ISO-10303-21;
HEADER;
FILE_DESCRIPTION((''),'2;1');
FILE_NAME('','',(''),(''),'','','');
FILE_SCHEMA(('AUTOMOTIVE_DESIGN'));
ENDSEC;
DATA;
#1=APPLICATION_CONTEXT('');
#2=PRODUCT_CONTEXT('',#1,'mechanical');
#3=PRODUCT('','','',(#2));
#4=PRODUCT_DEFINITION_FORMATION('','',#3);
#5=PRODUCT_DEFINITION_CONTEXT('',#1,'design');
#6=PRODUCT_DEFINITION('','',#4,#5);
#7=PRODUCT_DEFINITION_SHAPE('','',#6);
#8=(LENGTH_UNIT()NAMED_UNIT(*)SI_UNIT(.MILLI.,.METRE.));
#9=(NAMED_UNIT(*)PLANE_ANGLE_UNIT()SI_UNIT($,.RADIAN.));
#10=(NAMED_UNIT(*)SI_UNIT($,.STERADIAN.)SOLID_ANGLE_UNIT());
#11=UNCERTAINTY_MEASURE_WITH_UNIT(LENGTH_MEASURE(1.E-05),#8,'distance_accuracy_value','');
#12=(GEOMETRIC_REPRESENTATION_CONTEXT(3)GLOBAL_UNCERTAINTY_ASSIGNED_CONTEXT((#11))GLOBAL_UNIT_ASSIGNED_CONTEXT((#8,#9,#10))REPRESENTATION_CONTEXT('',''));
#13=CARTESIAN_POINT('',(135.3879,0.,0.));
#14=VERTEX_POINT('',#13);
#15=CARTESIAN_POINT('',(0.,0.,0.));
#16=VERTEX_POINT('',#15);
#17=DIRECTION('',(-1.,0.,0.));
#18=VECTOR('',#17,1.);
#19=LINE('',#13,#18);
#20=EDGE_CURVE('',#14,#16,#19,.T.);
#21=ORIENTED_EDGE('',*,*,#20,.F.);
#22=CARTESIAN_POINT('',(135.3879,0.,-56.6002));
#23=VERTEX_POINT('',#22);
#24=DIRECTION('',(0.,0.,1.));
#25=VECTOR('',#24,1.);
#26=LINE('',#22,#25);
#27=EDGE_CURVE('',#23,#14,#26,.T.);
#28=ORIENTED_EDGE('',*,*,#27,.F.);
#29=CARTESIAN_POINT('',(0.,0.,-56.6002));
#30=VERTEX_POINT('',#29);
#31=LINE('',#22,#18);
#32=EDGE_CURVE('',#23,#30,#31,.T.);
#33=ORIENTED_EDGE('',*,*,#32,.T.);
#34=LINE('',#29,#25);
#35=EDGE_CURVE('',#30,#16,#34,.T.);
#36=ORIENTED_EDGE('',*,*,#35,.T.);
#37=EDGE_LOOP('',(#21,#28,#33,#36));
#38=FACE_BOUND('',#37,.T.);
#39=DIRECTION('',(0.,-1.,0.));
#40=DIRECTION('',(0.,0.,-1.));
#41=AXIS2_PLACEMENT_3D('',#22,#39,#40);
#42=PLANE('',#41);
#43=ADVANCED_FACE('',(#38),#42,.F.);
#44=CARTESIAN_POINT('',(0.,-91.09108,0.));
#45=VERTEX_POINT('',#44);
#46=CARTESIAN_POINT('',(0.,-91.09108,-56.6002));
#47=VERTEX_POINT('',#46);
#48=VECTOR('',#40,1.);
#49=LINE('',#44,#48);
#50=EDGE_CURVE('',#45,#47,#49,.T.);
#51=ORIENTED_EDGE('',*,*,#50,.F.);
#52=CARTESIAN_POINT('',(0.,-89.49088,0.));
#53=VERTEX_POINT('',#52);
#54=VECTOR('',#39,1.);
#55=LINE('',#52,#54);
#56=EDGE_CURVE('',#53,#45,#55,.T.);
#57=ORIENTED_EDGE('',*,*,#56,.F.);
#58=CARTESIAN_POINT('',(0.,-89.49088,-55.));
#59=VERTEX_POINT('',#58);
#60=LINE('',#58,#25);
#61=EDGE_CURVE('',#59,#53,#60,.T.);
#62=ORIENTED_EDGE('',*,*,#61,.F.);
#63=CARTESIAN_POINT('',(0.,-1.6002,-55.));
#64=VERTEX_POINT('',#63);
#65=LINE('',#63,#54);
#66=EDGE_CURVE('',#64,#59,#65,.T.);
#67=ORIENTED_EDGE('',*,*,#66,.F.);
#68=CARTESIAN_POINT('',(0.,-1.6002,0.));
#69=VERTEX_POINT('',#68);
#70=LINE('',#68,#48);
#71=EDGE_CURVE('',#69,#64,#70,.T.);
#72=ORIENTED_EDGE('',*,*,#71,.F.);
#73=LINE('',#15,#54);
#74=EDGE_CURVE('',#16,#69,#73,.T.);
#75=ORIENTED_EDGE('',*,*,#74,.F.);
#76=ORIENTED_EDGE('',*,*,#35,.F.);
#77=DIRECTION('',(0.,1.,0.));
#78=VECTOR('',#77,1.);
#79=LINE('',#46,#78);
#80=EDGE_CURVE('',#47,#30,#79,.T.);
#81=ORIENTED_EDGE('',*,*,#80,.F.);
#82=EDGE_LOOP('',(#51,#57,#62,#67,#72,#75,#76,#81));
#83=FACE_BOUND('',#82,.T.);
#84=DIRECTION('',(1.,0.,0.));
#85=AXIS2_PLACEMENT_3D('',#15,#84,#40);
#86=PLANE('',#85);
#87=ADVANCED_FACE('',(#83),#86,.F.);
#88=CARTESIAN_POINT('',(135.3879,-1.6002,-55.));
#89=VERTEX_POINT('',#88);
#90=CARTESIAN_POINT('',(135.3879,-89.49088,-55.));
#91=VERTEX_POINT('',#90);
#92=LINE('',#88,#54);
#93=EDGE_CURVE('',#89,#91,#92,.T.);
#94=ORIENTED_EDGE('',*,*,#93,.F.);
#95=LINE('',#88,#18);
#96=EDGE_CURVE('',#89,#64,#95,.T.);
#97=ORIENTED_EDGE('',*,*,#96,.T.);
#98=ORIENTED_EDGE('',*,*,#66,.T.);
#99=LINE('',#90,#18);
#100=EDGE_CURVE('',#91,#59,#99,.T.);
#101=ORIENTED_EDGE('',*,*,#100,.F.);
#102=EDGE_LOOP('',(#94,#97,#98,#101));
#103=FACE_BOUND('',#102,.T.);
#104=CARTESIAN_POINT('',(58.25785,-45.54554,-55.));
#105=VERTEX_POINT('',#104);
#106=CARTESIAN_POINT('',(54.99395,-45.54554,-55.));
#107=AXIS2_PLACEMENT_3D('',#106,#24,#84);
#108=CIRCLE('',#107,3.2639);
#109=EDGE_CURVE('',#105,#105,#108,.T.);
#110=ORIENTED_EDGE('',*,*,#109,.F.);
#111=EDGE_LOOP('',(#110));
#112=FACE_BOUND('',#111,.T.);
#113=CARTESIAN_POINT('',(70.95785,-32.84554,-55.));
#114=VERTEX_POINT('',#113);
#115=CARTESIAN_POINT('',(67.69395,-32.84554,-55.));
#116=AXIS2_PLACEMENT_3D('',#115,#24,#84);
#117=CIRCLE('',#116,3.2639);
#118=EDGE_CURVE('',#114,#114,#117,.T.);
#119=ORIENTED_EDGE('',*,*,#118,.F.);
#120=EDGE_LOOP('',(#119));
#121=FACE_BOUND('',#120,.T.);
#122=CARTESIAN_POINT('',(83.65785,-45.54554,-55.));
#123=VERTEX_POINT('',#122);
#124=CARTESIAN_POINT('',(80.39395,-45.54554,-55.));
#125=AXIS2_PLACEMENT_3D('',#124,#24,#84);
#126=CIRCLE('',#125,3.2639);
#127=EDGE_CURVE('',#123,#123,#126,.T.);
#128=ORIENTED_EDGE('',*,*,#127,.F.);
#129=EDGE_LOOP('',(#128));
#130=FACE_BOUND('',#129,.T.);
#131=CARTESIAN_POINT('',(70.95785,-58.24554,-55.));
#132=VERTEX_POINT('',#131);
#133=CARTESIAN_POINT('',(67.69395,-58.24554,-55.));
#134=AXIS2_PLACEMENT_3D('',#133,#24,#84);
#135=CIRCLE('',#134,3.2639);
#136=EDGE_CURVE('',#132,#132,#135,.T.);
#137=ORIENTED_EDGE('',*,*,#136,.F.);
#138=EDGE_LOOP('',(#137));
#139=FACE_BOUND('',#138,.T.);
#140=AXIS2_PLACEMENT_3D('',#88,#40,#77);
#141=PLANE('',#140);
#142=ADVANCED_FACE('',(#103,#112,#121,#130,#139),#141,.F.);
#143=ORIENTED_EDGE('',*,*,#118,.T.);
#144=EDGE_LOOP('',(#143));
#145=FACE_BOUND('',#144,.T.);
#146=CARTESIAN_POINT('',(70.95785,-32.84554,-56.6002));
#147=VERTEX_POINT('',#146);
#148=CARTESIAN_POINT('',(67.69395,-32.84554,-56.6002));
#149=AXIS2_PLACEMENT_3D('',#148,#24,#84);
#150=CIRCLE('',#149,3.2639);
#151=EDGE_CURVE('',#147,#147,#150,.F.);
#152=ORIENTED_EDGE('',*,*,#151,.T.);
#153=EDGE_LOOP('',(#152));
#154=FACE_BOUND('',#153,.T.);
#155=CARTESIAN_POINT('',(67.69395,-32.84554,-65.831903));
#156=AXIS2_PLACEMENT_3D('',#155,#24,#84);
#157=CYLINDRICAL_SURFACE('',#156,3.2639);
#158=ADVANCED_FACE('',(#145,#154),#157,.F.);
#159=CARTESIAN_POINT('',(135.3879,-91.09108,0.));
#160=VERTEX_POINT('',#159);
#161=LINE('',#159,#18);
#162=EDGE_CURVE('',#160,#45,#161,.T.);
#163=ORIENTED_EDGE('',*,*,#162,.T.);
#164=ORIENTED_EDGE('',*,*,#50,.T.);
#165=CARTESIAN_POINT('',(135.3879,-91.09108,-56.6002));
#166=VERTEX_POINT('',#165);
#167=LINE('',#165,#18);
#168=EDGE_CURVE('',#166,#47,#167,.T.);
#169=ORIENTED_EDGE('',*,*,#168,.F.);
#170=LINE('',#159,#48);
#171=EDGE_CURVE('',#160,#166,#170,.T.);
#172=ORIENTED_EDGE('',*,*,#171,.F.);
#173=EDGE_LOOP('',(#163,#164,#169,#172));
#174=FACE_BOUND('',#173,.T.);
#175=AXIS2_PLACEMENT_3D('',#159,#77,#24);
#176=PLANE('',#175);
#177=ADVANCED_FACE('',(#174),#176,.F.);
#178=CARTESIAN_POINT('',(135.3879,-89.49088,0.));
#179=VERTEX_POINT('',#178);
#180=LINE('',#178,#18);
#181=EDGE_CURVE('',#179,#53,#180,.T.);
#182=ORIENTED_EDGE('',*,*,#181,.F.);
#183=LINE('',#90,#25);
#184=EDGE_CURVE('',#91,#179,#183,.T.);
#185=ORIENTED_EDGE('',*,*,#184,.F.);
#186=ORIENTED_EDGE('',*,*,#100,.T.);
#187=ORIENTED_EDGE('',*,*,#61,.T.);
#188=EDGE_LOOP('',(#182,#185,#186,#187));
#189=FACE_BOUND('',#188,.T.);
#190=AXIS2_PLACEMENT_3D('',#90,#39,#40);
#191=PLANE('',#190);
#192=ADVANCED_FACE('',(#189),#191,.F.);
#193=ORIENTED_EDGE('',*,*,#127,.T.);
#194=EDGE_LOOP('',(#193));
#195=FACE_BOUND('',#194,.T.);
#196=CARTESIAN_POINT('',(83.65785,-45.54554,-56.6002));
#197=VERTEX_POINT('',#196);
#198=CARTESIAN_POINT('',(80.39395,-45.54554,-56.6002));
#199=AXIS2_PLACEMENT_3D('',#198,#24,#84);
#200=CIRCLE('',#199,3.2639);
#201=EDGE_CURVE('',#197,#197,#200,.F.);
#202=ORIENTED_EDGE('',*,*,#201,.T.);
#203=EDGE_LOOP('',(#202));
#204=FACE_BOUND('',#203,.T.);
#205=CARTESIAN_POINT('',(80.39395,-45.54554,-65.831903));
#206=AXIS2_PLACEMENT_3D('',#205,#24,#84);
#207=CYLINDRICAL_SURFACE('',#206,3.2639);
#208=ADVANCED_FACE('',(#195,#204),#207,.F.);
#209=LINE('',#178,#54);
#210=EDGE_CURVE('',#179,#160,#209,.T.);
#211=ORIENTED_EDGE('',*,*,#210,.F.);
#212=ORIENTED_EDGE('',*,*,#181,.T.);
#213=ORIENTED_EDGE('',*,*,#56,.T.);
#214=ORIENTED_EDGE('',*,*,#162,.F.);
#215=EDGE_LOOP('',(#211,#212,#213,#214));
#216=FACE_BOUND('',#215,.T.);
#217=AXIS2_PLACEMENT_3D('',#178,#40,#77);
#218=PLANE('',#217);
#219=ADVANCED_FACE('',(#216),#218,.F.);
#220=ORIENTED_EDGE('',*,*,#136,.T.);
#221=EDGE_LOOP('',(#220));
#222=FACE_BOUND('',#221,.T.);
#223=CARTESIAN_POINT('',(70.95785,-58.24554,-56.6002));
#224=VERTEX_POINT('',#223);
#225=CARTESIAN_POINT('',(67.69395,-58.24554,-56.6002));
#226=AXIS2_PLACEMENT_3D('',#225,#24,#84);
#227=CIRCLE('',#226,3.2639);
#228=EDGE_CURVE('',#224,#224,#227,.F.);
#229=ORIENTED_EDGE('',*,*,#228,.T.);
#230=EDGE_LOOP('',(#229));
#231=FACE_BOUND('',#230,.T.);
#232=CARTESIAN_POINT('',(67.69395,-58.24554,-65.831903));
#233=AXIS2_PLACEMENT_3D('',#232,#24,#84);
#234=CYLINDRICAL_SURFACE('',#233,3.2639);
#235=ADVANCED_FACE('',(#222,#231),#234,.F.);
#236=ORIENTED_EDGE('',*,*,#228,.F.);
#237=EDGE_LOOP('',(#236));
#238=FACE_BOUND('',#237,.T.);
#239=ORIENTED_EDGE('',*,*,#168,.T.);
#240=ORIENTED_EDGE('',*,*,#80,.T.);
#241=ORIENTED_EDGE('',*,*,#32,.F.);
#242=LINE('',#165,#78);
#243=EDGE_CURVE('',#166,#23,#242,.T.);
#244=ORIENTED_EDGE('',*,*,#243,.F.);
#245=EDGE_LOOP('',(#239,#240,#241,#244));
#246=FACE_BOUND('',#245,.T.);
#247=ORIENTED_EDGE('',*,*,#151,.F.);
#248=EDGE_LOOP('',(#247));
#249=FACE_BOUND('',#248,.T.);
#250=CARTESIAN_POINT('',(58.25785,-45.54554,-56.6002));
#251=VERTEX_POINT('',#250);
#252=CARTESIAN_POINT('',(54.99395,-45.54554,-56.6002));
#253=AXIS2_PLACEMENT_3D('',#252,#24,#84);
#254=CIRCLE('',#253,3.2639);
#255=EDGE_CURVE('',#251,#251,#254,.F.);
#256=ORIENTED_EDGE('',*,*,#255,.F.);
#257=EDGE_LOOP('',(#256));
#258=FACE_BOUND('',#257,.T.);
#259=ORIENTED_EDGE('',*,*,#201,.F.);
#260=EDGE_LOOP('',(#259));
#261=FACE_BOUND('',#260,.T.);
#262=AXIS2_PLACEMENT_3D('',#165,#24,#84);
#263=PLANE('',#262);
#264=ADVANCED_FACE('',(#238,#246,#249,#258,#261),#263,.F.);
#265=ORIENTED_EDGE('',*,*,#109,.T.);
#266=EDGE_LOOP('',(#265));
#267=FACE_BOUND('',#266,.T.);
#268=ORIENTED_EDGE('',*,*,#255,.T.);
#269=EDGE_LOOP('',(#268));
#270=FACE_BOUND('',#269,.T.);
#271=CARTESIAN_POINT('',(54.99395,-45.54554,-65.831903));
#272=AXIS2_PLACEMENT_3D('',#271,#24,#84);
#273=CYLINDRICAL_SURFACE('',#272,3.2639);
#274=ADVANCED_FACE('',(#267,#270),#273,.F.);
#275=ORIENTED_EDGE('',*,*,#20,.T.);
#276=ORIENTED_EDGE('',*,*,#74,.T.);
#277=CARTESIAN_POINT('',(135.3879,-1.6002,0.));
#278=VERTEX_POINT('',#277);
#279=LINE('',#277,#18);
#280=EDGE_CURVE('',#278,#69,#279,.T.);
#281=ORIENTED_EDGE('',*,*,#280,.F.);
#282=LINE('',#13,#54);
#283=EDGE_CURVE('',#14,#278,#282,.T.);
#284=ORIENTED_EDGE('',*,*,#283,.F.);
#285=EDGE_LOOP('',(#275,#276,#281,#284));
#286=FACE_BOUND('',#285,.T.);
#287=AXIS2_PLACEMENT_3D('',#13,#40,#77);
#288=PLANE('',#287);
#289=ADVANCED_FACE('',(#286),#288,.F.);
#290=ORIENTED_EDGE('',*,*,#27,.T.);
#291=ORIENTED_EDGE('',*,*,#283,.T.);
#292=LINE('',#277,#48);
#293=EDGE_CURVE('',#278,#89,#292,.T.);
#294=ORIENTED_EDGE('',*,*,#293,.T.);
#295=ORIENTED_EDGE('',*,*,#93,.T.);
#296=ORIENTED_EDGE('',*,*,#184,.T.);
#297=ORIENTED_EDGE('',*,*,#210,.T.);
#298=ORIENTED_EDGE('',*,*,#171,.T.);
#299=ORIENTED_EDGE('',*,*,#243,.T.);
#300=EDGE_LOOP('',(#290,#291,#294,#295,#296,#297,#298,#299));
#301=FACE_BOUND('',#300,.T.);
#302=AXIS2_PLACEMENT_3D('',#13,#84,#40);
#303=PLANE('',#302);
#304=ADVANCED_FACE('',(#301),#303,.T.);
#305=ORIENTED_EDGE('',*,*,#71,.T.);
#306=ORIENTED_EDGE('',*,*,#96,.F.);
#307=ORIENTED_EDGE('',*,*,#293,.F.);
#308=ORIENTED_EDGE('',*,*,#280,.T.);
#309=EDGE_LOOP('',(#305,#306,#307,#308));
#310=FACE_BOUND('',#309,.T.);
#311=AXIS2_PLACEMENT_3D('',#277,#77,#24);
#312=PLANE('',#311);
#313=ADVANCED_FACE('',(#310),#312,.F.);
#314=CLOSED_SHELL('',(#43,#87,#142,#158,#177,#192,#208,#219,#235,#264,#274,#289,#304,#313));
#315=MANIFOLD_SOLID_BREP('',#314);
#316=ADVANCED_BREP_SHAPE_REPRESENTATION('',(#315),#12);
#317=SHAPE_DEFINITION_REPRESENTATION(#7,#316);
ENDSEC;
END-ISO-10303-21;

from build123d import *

# Parameters (mm, degrees)
BOSS_EXTRUDE1_DEPTH = 135.3879
SKETCH2_R           = 3.2639
CUT_EXTRUDE1_DEPTH  = 1.6002


with BuildPart() as part:
    # Sketch1 → Boss-Extrude1 (new body)
    with BuildSketch(Plane(origin=(0, 0, 0), x_dir=(0, 0, -1), z_dir=(1, 0, 0))):
        Polygon((0, 0), (0, -1.6002), (55, -1.6002), (55, -89.49088), (0, -89.49088), (0, -91.09108), (56.6002, -91.09108), (56.6002, 0), align=None)
    extrude(amount=BOSS_EXTRUDE1_DEPTH)

    # Sketch2 → Cut-Extrude1 (cut)
    with BuildSketch(Plane.XY.offset(-55)):
        with Locations((67.69395, -32.84554)):
            Circle(SKETCH2_R)
        with Locations((67.69395, -58.24554)):
            Circle(SKETCH2_R)
        with Locations((54.99395, -45.54554)):
            Circle(SKETCH2_R)
        with Locations((80.39395, -45.54554)):
            Circle(SKETCH2_R)
    extrude(amount=-CUT_EXTRUDE1_DEPTH, mode=Mode.SUBTRACT)


solid = part.part
